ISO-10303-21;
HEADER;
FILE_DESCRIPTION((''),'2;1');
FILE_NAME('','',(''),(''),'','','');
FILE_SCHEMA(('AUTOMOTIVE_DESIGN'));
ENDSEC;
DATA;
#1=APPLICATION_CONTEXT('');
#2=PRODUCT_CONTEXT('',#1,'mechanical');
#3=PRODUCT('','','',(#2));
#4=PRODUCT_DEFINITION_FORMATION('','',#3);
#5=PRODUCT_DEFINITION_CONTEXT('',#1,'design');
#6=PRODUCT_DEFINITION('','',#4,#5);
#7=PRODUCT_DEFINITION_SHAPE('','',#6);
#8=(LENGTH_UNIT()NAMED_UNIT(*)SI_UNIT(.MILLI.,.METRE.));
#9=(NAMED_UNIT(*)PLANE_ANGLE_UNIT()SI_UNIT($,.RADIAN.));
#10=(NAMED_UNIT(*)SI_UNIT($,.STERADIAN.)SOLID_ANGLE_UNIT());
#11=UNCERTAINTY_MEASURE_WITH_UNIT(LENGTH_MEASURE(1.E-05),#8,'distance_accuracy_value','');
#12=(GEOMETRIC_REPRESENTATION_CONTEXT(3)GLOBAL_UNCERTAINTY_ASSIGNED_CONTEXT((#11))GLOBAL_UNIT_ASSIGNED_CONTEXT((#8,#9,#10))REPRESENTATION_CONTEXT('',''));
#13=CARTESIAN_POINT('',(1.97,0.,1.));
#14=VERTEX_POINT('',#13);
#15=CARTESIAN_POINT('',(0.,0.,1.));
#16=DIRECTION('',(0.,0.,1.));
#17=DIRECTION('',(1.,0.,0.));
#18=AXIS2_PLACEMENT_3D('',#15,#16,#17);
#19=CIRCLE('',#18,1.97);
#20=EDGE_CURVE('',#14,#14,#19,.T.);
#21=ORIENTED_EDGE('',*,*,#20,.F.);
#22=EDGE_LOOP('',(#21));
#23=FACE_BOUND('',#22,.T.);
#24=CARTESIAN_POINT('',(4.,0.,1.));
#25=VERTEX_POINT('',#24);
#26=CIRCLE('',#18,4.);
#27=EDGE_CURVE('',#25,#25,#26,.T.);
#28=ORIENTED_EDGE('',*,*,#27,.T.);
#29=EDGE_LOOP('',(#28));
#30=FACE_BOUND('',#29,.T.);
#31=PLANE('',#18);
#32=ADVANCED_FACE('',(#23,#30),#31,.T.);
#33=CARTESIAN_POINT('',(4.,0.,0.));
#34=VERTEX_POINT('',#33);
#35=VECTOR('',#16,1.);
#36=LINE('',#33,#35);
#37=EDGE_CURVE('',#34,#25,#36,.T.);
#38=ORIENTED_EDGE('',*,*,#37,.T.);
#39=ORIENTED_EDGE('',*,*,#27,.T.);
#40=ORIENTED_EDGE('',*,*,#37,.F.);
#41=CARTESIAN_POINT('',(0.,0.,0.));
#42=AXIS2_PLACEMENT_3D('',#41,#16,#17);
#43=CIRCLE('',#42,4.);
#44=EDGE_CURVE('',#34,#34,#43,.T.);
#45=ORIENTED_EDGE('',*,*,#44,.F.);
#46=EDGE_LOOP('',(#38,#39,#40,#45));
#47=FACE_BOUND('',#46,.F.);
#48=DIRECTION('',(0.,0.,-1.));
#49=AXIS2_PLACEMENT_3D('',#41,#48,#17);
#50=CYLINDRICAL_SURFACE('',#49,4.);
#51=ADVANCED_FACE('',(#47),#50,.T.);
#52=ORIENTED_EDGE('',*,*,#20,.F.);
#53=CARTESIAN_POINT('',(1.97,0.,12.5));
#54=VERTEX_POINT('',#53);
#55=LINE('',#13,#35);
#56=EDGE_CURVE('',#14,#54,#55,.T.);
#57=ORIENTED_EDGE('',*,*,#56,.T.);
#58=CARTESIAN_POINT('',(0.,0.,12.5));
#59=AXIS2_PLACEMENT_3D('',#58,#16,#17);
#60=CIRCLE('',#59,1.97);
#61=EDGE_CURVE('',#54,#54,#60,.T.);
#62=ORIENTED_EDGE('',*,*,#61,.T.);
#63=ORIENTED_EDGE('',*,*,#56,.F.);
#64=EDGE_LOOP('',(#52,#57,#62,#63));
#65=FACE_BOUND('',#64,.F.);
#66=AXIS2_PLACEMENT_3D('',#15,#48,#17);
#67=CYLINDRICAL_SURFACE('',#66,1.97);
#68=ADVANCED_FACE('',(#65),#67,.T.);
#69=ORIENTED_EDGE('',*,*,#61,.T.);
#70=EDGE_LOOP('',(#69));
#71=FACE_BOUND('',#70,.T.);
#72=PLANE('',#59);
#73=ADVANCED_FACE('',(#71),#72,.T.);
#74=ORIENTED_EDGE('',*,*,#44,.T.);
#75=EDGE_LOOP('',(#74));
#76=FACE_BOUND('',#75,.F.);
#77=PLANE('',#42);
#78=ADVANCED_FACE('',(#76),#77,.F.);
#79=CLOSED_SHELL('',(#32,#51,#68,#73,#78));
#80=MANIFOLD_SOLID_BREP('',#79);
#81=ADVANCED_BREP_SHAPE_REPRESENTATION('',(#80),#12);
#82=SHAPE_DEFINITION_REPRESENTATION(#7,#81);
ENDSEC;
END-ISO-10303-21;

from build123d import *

# Parameters (mm, degrees)
CYLINDER001_R     = 1.97
CYLINDER001_DEPTH = 11.5
CYLINDER_R        = 4
CYLINDER_DEPTH    = 1


with BuildPart() as cylinder001:
    # Cylinder001 → Cylinder001 (new body)
    with BuildSketch(Plane.XY.offset(1)):
        Circle(CYLINDER001_R)
    extrude(amount=CYLINDER001_DEPTH)


with BuildPart() as fusion:
    # Cylinder → Cylinder (new body)
    with BuildSketch(Plane.XY):
        Circle(CYLINDER_R)
    extrude(amount=CYLINDER_DEPTH)

    # Fusion: union Cylinder001
    add(cylinder001.part)


solid = fusion.part
